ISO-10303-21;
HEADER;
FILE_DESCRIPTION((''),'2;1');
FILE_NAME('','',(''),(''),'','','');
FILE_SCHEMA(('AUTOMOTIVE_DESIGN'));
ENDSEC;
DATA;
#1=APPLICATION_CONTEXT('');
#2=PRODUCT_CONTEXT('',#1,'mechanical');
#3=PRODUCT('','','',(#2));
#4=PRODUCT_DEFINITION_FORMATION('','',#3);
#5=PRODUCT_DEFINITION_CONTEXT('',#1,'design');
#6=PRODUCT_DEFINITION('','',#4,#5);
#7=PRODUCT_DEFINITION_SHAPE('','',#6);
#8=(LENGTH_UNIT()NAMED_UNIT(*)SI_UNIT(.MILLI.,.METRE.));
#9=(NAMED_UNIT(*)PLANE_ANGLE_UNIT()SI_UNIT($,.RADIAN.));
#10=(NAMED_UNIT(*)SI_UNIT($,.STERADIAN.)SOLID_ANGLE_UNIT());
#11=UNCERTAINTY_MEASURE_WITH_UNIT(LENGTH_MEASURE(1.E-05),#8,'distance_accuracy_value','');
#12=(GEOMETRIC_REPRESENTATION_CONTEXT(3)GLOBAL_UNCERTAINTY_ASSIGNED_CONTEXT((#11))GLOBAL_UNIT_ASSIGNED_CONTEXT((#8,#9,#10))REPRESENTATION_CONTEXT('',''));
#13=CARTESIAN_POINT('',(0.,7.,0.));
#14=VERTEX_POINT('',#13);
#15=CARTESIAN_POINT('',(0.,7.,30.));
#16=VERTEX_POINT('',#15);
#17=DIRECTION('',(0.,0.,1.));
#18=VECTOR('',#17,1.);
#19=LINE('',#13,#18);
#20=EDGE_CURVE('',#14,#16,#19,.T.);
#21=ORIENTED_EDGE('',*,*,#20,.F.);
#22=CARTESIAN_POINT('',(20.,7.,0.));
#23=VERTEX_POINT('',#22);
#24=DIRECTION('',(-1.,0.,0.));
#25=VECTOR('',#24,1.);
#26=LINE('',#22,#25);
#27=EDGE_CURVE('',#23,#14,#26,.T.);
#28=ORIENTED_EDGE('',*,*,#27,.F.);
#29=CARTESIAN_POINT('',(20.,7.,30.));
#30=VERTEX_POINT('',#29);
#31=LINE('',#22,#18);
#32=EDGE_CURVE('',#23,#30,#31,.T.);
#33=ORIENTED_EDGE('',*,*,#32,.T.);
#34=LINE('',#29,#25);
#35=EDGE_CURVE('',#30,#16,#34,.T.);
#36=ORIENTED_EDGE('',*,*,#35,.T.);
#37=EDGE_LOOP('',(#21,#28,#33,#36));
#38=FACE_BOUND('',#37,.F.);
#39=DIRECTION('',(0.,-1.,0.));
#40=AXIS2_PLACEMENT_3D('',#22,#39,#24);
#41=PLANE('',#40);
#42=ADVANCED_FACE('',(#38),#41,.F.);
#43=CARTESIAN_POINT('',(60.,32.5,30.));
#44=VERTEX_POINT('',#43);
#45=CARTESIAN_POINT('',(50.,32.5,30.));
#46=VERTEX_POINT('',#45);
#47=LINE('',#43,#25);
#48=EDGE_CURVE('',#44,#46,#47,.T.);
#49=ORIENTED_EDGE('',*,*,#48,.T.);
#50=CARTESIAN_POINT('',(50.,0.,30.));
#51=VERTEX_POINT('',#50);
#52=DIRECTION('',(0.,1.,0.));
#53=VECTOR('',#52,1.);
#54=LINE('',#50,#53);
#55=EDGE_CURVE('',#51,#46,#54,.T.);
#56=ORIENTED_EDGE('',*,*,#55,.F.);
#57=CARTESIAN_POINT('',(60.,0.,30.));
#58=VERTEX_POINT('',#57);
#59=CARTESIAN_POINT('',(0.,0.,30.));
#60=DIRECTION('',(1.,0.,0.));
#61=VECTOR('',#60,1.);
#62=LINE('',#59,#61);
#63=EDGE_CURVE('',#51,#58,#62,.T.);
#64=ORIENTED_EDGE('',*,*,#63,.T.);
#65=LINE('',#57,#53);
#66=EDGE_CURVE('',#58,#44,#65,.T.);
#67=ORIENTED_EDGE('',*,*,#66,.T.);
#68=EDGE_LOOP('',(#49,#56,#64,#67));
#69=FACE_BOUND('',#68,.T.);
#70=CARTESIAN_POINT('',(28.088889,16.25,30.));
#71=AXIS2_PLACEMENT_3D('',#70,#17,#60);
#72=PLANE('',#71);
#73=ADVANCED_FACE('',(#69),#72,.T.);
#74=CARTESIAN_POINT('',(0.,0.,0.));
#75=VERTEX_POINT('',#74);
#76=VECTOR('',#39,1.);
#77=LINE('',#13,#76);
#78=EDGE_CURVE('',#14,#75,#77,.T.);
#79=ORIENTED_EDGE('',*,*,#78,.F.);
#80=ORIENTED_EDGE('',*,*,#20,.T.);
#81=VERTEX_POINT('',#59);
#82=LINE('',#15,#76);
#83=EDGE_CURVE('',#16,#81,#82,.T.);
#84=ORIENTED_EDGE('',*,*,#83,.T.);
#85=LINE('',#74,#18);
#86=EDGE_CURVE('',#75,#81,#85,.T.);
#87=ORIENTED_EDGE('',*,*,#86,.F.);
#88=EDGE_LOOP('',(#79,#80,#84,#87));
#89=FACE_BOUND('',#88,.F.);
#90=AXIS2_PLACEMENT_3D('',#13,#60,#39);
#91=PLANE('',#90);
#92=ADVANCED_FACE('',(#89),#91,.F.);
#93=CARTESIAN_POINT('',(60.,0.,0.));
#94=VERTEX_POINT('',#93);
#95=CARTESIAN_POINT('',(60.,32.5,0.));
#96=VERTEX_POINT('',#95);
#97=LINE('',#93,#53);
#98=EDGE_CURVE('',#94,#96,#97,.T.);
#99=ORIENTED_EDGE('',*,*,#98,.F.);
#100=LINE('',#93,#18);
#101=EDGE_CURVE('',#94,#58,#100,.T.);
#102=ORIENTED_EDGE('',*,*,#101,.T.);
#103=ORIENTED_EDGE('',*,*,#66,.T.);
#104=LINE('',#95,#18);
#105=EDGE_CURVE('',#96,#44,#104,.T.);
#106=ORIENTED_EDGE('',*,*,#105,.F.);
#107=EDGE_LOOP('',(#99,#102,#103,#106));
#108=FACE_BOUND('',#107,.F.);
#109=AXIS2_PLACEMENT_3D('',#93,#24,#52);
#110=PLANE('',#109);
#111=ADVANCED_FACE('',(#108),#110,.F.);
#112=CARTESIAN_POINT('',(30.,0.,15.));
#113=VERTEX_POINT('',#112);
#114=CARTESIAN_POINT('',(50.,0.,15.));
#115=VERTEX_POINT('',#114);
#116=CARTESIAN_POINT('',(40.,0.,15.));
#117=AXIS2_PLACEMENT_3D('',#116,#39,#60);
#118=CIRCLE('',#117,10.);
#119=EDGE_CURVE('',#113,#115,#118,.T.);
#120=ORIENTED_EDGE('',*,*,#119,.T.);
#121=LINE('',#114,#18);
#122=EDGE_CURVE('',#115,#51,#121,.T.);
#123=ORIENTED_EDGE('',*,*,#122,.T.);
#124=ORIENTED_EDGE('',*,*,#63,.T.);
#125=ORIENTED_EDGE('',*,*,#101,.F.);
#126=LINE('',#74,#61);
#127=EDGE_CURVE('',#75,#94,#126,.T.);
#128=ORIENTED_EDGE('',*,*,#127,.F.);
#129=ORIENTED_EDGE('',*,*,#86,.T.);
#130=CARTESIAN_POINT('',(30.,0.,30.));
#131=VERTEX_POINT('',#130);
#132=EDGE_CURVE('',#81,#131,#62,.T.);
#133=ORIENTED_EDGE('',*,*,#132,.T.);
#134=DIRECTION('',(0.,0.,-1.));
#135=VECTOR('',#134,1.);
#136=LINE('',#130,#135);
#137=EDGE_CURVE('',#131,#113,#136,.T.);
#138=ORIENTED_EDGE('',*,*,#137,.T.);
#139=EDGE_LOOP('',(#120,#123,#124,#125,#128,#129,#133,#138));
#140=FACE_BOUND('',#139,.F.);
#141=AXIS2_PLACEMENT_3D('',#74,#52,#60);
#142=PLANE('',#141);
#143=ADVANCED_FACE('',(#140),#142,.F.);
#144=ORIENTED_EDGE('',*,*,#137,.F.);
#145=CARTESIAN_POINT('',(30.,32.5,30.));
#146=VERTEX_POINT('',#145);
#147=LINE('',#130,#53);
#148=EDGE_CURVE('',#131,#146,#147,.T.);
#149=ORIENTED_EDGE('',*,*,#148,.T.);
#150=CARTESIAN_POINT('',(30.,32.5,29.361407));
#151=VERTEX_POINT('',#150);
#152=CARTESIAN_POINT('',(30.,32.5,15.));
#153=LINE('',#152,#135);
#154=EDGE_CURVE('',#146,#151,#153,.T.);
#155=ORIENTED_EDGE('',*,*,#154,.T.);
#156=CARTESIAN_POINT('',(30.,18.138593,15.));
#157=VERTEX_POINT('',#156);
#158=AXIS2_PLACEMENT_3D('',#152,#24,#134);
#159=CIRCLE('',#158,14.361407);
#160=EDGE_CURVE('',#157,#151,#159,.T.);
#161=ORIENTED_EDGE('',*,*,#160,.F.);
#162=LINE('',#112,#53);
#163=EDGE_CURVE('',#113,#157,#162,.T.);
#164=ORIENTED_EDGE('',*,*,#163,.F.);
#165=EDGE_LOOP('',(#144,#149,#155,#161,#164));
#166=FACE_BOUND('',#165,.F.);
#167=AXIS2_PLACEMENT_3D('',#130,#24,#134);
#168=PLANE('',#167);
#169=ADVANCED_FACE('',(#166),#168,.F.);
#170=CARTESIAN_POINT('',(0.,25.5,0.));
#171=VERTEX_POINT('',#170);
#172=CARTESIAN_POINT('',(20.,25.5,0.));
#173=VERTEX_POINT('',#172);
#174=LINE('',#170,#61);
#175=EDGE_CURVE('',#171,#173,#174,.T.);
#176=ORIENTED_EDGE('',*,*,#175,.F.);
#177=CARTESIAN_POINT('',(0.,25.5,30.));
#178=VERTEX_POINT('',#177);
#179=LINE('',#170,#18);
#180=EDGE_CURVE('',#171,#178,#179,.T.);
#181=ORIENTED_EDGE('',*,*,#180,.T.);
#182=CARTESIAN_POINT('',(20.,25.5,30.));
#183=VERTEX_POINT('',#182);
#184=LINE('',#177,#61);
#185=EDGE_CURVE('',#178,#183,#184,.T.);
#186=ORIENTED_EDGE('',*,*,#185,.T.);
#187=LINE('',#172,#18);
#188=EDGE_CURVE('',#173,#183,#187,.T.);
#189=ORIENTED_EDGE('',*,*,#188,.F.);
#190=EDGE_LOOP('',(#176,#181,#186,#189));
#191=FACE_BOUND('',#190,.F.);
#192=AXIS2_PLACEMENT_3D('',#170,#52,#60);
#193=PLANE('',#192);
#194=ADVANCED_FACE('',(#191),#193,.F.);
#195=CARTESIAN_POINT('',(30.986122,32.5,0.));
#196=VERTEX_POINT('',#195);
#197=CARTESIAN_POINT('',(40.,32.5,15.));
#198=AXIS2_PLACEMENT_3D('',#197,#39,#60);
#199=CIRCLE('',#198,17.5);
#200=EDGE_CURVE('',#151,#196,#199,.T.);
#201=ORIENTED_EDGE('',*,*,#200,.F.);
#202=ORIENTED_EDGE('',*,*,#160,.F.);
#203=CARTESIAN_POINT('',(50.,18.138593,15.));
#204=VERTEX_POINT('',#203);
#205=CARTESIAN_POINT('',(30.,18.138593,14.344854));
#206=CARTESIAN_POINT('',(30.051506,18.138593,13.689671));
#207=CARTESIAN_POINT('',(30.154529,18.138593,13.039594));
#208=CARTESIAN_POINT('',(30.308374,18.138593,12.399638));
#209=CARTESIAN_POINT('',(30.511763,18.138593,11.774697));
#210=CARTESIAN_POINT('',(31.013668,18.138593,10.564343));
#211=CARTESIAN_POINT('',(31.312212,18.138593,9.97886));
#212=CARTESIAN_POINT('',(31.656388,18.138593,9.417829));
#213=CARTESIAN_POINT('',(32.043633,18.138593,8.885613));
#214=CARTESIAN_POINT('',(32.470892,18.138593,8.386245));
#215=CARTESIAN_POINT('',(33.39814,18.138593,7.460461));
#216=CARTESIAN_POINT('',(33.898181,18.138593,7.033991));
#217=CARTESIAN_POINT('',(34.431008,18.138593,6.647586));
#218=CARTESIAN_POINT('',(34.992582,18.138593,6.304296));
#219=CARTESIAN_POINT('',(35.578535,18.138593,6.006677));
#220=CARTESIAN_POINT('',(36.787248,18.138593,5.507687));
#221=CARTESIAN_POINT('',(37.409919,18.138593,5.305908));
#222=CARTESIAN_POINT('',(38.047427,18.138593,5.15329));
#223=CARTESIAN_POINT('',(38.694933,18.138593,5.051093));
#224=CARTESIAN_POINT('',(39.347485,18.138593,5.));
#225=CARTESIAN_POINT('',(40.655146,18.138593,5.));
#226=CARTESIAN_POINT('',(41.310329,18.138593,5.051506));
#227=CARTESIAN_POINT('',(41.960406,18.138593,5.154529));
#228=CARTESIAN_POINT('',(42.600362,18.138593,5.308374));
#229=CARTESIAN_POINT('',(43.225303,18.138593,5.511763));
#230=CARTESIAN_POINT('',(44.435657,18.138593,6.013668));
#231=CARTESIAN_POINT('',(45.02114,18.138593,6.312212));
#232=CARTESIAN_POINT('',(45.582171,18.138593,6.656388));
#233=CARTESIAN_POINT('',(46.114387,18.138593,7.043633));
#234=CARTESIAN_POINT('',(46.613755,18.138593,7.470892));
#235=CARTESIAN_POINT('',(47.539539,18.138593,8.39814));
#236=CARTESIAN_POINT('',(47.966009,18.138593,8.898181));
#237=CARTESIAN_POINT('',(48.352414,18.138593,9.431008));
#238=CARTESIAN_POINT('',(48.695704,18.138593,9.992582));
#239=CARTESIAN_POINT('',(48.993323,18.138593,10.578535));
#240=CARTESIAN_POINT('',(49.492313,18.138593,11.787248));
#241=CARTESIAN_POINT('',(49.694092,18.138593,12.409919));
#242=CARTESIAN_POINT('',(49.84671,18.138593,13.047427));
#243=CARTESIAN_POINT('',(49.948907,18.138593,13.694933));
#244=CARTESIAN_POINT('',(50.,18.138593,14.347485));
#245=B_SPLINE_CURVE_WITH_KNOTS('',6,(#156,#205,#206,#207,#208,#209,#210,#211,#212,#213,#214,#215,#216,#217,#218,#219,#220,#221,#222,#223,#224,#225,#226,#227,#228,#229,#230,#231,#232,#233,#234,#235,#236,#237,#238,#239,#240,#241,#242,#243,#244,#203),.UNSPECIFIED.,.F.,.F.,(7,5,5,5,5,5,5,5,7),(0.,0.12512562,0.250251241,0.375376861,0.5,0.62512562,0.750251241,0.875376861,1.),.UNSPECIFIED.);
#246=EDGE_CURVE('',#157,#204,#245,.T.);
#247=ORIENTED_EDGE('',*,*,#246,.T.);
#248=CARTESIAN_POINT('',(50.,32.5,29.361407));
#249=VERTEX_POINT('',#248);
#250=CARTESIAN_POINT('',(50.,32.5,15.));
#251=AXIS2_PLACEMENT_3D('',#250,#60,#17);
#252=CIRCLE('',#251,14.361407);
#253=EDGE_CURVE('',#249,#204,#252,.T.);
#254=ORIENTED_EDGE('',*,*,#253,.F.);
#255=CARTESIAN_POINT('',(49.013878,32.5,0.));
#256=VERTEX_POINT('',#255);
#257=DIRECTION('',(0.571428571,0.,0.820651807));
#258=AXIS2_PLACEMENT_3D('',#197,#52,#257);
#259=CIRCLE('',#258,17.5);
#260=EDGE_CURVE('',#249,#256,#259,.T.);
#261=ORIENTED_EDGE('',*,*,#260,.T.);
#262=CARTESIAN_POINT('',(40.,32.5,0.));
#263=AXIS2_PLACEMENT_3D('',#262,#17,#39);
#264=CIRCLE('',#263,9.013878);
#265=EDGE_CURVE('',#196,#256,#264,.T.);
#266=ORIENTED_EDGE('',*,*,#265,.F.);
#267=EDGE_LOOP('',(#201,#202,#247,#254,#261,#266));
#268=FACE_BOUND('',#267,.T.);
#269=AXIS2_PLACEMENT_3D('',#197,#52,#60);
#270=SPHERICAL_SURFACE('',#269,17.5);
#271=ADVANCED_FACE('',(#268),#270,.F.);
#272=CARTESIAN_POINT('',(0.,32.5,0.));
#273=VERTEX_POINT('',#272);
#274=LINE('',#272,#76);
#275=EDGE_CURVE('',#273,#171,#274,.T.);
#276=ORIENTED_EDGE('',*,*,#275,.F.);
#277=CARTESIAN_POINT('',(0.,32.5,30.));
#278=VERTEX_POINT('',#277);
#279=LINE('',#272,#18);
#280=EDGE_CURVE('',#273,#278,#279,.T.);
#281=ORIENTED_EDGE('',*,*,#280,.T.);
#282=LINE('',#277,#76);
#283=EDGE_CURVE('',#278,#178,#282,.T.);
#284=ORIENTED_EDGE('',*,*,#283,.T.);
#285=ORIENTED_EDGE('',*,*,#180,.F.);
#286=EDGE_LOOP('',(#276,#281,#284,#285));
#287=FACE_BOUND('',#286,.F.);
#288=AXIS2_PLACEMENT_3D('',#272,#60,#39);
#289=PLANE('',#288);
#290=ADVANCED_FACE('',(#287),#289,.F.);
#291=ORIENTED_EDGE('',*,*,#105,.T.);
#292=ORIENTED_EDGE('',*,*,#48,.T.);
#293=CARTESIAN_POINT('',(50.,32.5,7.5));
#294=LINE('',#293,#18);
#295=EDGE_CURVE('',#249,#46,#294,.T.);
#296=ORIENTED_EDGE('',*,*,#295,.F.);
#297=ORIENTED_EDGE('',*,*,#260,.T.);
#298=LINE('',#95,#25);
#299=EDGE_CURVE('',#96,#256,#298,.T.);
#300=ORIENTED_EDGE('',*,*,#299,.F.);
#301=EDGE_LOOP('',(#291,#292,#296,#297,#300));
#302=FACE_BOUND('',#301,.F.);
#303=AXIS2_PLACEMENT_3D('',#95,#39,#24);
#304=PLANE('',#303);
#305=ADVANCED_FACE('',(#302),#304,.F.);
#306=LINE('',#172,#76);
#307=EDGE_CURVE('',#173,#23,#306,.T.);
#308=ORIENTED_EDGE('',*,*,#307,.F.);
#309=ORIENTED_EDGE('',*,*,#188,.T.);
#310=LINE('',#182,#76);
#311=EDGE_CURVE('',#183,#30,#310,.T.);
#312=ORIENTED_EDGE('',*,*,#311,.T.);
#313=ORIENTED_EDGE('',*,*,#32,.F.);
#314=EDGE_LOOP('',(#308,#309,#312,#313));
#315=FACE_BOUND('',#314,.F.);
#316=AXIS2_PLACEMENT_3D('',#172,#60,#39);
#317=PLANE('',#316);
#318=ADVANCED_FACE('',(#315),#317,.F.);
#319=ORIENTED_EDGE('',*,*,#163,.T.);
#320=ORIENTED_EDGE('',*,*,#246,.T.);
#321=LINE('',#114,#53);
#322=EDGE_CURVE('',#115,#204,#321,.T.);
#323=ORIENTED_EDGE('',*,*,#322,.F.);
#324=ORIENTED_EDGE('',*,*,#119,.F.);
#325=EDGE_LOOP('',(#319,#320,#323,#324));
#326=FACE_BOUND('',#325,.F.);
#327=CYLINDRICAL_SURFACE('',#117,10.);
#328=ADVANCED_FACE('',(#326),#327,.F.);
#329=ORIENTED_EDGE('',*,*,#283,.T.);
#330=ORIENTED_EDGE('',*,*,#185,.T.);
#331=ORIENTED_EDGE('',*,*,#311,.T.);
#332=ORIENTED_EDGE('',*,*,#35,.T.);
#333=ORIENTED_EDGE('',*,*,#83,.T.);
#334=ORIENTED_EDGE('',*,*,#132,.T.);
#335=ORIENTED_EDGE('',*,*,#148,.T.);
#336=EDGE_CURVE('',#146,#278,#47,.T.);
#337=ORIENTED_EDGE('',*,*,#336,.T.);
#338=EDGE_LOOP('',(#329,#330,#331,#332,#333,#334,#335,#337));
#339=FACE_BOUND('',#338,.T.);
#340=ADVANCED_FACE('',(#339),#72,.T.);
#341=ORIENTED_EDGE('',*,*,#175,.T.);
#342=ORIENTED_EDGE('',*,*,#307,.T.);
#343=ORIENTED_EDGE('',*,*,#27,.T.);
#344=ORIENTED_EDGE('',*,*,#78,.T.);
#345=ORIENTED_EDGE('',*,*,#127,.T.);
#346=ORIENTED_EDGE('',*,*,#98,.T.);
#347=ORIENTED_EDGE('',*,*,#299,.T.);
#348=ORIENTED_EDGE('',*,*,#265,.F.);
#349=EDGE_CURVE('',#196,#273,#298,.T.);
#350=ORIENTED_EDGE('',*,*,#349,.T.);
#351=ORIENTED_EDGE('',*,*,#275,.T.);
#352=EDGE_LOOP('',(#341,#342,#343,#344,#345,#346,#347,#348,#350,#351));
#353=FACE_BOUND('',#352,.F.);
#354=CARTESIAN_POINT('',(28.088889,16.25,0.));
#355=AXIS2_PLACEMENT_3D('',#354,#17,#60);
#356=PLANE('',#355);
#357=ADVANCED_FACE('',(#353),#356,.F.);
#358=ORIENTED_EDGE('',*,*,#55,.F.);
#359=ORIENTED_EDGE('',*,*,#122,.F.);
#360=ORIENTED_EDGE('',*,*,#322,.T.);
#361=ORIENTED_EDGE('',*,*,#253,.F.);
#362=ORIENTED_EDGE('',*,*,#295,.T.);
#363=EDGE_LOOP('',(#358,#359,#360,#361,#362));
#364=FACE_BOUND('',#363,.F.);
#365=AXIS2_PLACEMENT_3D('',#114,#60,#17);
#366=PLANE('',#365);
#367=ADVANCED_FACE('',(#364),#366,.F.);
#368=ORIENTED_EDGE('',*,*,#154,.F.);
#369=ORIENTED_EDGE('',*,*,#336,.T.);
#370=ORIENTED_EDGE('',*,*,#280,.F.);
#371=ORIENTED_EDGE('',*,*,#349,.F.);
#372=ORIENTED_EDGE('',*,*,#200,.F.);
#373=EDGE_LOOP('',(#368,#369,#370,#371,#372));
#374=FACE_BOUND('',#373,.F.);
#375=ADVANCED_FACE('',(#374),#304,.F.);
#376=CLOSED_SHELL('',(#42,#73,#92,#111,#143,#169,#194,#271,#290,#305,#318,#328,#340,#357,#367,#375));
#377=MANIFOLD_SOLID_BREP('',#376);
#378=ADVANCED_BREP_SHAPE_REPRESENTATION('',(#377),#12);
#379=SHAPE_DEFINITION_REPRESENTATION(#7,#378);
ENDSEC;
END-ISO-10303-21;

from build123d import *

# Parameters (mm, degrees)
F1_DEPTH = 30
F3_DEPTH = 32.501


with BuildPart() as f1:
    # F0 (on Top) → F1 (new body)
    with BuildSketch(Plane.XY):
        Polygon((0, 7), (0, 0), (60, 0), (60, 32.5), (0, 32.5), (0, 25.5), (20, 25.5), (20, 7), align=None)
    extrude(amount=F1_DEPTH)

    # F2 (on face) → F3 (cut, through all)
    with BuildSketch(Plane.XZ):
        with BuildLine():
            ThreePointArc((30, 15), (40, 5), (50, 15))
            ThreePointArc((50, 15), (40, 25), (30, 15))
        make_face()
        with BuildLine():
            ThreePointArc((30, 15), (40, 25), (50, 15))
            Line((50, 15), (50, 30))
            Line((50, 30), (30, 30))
            Line((30, 30), (30, 15))
        make_face()
    extrude(amount=-F3_DEPTH, mode=Mode.SUBTRACT)

    # F5 (on plane+point) → F6 (revolve, cut)
    with BuildSketch(Plane.XY.offset(15)):
        with BuildLine():
            ThreePointArc((40, 15), (52.3743686708, 20.1256313292), (57.5, 32.5))
            Line((57.5, 32.5), (40, 32.5))
            Line((40, 32.5), (40, 15))
        make_face()
    revolve(axis=Axis((40, 23.75, 15), (0, -1, 0)), mode=Mode.SUBTRACT)


solid = f1.part
